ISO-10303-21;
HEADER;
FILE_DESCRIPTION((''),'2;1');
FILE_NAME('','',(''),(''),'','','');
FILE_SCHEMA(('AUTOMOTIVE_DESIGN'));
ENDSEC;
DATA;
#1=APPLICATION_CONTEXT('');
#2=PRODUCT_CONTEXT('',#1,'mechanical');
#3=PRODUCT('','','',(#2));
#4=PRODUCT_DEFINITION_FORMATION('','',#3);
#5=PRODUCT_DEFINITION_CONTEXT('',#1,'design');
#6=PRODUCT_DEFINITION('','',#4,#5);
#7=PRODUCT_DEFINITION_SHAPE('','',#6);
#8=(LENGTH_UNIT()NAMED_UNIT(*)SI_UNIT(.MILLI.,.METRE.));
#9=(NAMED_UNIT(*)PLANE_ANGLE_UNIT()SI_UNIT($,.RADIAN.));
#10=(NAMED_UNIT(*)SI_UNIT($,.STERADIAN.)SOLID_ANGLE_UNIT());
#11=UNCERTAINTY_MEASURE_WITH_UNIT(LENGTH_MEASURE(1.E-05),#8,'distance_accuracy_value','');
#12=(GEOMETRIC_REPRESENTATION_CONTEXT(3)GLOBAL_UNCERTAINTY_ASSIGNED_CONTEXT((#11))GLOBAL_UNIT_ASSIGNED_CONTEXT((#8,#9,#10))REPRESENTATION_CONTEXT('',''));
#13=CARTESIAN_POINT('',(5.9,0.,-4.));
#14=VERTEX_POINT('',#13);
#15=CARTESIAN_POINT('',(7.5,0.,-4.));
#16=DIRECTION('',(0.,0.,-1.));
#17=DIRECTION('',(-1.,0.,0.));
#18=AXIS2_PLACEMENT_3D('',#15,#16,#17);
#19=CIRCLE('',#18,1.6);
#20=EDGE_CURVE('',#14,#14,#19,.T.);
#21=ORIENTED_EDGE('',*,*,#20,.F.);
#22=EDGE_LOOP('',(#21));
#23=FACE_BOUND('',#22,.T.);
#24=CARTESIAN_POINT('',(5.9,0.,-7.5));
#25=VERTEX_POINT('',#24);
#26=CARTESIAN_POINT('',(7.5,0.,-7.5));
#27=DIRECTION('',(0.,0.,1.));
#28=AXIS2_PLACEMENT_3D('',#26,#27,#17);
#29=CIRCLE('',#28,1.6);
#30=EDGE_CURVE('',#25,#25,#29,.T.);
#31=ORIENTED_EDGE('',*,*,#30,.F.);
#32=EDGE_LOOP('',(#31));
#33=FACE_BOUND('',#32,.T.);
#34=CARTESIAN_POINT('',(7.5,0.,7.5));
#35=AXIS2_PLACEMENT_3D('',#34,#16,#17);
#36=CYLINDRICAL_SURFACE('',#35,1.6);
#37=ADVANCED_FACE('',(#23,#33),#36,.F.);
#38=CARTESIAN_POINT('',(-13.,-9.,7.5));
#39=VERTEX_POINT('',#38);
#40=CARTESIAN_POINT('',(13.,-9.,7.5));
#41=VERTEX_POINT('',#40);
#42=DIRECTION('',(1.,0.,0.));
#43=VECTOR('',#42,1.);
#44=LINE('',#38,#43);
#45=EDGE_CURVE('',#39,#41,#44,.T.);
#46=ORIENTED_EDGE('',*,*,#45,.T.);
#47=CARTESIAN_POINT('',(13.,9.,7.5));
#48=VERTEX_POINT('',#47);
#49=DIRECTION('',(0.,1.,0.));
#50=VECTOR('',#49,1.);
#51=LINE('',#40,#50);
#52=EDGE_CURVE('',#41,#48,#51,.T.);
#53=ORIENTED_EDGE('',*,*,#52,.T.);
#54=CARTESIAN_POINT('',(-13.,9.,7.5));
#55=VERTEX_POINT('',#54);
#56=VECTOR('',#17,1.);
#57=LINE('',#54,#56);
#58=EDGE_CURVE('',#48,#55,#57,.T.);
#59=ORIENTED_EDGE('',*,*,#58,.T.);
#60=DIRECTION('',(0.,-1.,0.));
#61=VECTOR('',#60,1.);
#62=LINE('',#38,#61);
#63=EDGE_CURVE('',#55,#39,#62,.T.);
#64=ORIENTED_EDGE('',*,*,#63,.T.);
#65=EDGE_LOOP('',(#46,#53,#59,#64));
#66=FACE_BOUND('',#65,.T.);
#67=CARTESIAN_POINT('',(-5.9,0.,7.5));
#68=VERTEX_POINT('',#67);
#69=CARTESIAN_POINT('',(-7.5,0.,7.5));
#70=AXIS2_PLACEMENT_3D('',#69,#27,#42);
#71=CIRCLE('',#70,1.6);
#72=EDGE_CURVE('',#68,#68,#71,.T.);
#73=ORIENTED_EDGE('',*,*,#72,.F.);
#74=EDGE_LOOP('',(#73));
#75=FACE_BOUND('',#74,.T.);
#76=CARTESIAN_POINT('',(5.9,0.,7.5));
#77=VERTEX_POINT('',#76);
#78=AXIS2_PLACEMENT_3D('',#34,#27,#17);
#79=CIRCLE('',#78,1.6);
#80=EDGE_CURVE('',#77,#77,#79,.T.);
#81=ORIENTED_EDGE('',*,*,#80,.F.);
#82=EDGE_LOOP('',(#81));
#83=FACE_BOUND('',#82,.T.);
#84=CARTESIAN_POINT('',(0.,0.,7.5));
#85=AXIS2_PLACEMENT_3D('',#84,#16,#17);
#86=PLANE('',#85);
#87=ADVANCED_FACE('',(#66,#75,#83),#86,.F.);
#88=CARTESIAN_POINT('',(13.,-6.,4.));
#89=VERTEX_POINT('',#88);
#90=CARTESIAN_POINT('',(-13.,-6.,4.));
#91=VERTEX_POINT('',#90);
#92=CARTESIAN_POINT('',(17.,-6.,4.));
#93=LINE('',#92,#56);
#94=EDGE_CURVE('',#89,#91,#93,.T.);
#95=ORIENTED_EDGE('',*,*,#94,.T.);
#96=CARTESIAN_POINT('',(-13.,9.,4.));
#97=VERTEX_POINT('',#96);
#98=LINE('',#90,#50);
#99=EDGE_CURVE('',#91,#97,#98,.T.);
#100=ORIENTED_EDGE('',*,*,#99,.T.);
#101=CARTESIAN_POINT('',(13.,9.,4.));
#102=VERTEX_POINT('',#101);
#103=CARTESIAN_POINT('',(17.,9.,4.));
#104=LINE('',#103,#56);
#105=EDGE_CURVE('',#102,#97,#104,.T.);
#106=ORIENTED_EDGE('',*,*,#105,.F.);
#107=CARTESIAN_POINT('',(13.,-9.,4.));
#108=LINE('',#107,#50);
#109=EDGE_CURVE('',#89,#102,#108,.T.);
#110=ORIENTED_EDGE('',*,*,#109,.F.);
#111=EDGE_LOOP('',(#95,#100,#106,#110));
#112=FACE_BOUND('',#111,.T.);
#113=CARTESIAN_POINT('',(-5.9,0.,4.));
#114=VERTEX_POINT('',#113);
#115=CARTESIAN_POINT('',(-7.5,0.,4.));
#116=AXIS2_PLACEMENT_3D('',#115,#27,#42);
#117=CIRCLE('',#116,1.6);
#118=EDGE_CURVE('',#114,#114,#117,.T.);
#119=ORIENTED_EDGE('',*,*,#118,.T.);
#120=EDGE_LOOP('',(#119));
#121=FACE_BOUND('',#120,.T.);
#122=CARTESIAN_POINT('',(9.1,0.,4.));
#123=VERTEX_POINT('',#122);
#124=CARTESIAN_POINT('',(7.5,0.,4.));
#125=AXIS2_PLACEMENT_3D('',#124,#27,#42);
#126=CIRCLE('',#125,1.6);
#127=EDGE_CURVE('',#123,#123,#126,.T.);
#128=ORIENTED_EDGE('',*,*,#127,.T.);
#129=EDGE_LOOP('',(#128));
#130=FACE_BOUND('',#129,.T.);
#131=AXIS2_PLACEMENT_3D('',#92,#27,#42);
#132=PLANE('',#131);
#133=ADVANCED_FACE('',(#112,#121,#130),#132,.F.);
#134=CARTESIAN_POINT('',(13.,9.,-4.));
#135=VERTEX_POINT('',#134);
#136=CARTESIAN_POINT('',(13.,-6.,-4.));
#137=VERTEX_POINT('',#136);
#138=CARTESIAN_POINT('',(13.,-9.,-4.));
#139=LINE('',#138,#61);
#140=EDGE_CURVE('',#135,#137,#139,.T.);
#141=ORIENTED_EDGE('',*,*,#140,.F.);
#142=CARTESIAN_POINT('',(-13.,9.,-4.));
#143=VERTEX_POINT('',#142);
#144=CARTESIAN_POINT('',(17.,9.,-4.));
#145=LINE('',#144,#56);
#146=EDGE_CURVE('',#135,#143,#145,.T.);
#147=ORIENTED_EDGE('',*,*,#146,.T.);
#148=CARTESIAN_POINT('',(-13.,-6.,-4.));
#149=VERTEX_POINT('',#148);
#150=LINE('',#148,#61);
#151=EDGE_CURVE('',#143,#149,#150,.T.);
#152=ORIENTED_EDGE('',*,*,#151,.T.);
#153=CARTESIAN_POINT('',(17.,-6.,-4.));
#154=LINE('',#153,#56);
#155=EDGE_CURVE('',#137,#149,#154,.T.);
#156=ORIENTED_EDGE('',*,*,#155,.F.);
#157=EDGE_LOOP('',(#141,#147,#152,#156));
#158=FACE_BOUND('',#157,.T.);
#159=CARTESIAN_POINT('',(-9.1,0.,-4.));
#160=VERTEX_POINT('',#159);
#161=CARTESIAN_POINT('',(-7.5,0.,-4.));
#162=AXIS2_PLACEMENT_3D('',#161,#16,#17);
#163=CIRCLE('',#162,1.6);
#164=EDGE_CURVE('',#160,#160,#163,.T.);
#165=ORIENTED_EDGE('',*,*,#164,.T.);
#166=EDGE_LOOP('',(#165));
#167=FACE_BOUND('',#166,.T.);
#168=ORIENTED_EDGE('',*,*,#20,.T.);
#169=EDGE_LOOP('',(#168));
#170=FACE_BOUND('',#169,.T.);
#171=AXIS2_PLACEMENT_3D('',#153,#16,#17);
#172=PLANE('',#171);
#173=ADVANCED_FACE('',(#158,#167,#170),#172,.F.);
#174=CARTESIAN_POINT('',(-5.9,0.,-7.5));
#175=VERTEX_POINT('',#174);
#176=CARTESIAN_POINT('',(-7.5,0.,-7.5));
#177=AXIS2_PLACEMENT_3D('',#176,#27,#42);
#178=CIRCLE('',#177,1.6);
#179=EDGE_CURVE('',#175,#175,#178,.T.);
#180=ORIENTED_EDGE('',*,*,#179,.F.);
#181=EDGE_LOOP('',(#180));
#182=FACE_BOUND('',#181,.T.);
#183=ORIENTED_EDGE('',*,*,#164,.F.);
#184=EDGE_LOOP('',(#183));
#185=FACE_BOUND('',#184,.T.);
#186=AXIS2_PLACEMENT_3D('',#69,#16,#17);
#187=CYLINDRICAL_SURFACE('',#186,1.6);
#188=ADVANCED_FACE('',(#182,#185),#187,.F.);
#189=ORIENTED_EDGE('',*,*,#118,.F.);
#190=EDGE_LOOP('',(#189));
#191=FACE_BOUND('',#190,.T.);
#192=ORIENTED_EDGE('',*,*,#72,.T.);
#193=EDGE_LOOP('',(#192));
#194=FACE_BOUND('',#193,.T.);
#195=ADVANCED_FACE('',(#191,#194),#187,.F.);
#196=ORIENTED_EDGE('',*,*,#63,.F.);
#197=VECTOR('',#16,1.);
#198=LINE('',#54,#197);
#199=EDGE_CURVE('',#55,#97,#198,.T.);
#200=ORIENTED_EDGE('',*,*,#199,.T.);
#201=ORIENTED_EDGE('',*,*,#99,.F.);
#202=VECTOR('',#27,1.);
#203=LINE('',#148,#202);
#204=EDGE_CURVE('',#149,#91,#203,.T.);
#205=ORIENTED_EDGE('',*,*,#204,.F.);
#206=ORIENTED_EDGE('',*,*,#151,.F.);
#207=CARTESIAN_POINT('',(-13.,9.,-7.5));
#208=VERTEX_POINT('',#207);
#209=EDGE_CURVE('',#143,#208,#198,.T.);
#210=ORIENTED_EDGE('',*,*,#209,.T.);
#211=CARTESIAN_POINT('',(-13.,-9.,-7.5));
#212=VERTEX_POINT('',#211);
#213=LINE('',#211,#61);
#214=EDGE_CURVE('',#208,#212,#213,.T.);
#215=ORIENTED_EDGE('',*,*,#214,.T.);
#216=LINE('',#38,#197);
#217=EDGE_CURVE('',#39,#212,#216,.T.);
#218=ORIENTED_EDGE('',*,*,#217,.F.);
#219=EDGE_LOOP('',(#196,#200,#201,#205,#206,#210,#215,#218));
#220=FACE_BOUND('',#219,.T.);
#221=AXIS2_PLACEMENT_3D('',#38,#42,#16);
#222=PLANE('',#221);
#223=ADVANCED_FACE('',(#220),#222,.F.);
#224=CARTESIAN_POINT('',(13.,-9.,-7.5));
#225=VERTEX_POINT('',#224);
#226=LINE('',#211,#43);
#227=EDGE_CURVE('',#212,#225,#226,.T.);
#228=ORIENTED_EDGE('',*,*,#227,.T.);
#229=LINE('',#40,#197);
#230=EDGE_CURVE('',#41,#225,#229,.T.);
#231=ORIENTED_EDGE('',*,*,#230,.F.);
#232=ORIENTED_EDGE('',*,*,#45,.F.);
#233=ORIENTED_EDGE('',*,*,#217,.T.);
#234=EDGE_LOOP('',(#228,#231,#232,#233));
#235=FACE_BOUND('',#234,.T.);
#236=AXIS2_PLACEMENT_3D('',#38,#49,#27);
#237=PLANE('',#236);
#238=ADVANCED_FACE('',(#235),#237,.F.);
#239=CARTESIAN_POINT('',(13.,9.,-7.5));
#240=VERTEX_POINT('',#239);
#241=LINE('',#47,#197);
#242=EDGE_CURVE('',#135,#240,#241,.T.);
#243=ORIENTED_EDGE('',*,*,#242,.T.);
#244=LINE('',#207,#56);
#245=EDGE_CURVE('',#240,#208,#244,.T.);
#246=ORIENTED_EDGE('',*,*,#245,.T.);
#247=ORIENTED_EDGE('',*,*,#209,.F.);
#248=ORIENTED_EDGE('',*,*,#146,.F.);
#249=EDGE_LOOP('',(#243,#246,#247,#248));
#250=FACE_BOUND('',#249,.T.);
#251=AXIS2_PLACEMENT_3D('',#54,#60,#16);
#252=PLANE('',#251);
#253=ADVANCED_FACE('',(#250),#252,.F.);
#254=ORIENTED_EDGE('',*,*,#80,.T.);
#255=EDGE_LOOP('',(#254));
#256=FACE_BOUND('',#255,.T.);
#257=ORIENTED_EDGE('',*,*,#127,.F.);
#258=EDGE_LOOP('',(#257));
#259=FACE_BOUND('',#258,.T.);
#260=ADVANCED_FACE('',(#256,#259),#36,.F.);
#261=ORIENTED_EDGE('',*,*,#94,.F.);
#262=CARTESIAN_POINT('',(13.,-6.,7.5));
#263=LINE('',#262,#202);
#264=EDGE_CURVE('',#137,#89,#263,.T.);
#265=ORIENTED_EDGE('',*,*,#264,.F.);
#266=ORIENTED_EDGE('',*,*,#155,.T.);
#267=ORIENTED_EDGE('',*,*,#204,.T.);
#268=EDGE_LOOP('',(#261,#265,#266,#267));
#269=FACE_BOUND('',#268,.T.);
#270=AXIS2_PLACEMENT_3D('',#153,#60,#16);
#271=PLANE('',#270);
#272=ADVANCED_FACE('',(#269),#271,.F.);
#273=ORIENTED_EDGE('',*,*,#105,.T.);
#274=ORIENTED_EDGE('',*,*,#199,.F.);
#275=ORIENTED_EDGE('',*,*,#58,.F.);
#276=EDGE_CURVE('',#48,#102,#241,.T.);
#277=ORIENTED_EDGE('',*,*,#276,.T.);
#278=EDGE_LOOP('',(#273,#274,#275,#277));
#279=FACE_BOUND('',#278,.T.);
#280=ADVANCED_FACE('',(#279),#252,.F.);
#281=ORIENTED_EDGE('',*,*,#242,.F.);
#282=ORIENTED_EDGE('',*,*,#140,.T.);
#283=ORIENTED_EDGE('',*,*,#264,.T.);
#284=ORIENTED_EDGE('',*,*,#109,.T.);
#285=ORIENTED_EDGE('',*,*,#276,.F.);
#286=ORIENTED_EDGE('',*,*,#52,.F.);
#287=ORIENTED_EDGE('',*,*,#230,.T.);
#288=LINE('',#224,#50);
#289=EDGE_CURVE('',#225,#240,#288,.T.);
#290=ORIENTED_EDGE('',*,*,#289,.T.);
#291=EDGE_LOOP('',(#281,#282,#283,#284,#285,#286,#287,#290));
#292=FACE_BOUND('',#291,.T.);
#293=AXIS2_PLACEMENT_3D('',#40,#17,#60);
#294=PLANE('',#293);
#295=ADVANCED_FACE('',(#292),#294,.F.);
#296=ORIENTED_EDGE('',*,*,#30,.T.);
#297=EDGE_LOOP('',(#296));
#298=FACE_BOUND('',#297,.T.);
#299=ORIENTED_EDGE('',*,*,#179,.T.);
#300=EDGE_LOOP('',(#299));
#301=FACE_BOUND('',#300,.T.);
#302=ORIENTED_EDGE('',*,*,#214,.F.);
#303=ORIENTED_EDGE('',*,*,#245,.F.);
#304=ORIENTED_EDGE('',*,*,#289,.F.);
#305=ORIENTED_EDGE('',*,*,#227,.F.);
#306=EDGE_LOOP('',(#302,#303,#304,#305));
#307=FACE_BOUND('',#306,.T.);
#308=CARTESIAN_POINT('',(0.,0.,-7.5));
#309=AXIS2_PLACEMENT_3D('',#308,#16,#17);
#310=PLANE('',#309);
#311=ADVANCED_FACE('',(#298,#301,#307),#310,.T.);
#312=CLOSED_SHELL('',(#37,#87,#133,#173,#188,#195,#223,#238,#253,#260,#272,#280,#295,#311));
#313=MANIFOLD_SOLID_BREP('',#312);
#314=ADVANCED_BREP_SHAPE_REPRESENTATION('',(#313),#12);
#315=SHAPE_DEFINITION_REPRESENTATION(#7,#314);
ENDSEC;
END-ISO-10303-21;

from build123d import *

# Parameters (mm, degrees)
SKETCH_1_W          = 26
SKETCH_1_H          = 18
SKETCH_1_R          = 1.6
EXTRUDE_1_DEPTH     = 7.5
SKETCH_3_W          = 8
SKETCH_3_H          = 15
CUT_EXTRUDE_2_DEPTH = 30


with BuildPart() as part:
    # 草图1 → 凸台-拉伸1 (new, symmetric)
    with BuildSketch(Plane.XY):
        Rectangle(SKETCH_1_W, SKETCH_1_H)
        with Locations((-7.5, 0)):
            Circle(SKETCH_1_R, mode=Mode.SUBTRACT)
        with Locations(Location((7.5, 0, 0), (0, 0, 180))):
            Circle(SKETCH_1_R, mode=Mode.SUBTRACT)
    extrude(amount=EXTRUDE_1_DEPTH, both=True)

    # 草图3 → 切除-拉伸2 (cut)
    with BuildSketch(Plane.ZY.offset(13)):
        with Locations((0, 1.5)):
            Rectangle(SKETCH_3_W, SKETCH_3_H)
    extrude(amount=-CUT_EXTRUDE_2_DEPTH, mode=Mode.SUBTRACT)


solid = part.part
